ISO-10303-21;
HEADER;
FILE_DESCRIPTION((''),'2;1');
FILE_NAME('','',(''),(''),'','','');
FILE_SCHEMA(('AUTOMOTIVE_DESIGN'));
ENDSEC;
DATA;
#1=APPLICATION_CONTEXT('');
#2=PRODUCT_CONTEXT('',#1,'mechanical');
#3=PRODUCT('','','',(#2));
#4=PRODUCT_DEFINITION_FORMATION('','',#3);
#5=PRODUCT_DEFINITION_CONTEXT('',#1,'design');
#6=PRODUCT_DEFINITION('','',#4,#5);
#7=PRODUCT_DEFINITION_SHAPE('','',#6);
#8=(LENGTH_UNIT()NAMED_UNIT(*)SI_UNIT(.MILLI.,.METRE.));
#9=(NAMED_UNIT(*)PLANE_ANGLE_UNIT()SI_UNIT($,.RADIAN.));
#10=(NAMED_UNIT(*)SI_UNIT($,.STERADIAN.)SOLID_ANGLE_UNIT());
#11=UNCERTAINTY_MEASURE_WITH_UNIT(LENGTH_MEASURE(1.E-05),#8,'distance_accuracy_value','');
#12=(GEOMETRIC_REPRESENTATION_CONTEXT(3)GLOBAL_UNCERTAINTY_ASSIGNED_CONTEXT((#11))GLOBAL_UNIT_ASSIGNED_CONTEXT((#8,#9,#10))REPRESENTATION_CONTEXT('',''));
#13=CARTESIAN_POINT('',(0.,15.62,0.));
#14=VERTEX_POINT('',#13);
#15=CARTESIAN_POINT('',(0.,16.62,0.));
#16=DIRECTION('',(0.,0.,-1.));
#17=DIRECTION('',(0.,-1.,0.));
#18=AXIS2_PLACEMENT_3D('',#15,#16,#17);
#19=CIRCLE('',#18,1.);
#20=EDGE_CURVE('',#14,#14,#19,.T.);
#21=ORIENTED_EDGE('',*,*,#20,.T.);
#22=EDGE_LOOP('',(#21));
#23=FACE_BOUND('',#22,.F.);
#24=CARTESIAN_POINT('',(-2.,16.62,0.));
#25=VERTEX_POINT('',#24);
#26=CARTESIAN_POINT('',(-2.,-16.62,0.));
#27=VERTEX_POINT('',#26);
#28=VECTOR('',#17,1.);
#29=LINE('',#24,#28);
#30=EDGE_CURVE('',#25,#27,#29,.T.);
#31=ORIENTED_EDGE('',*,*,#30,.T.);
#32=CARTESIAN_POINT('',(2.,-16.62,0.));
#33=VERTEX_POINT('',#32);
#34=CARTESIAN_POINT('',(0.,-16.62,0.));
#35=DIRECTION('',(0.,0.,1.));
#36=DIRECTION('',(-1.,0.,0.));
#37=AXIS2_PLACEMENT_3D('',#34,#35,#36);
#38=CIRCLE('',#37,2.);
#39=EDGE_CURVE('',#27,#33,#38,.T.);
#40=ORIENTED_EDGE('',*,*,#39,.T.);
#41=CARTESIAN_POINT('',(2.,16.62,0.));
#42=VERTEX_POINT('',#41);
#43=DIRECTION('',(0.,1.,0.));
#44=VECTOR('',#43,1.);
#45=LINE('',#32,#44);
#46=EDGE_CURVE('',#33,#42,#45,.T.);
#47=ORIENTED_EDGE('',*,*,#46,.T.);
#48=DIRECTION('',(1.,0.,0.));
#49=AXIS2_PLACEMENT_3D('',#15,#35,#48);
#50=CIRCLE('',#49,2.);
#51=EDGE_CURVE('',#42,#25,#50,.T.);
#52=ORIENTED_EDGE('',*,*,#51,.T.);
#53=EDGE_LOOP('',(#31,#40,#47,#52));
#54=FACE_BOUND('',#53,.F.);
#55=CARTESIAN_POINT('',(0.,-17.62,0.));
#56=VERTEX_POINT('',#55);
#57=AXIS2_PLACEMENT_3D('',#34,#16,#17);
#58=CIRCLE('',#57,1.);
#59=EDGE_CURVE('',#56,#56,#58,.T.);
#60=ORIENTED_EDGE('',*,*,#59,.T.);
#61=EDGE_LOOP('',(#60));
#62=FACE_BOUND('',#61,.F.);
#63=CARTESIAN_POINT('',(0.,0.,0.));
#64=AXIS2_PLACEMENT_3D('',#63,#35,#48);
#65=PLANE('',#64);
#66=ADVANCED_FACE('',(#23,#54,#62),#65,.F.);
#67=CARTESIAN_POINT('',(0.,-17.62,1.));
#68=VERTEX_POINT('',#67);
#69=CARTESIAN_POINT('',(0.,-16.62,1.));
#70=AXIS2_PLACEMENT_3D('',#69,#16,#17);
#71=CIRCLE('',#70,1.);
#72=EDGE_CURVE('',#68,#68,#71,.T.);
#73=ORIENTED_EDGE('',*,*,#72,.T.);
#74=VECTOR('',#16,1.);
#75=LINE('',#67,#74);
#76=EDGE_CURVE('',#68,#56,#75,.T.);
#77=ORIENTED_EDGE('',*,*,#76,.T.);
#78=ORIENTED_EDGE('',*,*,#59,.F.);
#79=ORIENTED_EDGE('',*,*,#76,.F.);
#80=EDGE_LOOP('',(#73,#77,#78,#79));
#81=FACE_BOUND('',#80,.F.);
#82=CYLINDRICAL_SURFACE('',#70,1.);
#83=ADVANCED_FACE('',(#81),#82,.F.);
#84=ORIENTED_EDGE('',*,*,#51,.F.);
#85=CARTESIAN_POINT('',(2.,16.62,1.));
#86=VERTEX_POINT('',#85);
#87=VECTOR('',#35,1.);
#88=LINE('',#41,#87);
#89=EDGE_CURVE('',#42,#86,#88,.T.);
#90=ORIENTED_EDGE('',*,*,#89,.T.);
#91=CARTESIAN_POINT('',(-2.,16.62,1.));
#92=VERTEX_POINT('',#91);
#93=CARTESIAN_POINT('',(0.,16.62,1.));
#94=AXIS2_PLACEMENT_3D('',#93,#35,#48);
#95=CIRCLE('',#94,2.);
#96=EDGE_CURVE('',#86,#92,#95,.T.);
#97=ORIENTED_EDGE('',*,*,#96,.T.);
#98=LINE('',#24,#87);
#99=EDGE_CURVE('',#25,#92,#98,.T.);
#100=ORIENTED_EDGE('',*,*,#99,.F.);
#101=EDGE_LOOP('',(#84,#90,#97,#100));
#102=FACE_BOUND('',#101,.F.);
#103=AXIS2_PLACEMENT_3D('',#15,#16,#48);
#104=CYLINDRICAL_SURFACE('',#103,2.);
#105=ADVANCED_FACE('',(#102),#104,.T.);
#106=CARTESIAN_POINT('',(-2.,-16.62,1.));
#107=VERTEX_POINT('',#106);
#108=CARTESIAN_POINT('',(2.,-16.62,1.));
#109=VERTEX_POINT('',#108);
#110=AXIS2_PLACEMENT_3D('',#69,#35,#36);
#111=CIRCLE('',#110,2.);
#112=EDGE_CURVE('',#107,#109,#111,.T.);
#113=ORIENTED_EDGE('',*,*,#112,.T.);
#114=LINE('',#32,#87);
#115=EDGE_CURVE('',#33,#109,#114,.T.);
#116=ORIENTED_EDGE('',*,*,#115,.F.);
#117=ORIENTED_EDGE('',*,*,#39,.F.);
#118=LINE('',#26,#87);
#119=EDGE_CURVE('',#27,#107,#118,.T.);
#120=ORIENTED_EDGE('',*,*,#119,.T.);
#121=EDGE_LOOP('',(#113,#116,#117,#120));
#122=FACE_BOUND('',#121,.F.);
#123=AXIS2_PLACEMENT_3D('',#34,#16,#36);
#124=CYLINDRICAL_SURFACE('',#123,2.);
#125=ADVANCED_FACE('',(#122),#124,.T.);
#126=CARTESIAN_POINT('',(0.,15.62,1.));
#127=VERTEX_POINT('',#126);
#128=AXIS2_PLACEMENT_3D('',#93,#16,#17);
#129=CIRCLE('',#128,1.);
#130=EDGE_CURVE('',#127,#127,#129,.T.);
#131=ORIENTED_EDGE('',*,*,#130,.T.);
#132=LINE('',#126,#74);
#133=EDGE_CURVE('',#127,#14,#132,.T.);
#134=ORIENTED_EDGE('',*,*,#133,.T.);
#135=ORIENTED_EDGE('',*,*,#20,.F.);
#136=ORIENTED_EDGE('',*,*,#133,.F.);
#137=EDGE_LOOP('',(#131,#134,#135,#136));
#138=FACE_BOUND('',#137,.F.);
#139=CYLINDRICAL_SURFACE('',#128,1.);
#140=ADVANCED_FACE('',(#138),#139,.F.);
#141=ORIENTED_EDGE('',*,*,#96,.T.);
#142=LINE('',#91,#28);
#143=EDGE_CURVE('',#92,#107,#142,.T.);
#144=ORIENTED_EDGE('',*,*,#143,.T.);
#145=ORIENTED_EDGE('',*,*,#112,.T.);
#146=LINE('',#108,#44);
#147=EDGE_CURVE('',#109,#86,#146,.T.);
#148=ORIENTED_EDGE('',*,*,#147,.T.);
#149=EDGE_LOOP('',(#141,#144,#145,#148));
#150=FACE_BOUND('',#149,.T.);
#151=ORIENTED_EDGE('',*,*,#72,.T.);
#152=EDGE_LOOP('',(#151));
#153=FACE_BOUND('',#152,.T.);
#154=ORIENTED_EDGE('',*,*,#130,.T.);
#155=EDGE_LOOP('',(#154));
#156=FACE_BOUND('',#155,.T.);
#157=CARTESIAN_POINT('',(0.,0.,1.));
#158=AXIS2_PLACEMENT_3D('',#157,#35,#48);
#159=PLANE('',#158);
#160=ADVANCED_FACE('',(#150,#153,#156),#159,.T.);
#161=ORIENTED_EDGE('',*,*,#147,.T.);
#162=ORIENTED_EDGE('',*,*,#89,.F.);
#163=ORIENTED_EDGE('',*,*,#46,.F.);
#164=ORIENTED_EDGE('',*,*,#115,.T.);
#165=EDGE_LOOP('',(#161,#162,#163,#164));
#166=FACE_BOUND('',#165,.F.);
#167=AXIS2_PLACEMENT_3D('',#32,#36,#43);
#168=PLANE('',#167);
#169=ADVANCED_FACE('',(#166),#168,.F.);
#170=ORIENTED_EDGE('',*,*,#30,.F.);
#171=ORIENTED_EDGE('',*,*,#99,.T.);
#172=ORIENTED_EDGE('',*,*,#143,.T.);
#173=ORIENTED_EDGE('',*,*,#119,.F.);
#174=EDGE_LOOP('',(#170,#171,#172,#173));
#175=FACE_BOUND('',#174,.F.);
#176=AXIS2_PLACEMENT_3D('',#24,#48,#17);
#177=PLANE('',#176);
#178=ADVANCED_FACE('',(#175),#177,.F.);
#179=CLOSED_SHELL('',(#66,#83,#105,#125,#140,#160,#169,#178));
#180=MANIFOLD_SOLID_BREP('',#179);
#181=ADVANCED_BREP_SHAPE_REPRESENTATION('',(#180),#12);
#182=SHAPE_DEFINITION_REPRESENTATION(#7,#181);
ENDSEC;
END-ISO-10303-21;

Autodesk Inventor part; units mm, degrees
ref_plane "YZ Plane" through (0, 0, 0) normal (1, 0, 0) x (0, 1, 0)
ref_plane "XZ Plane" through (0, 0, 0) normal (0, 1, 0) x (-1, 0, 0)
ref_plane "XY Plane" through (0, 0, 0) normal (0, 0, 1) x (1, 0, 0)
sketch "草圖1" plane through (0, 0, 0) normal (0, 0, 1) x (1, 0, 0)
  line L0 (0, -16.62) -> (0, 16.62) construction
  line L1 (2, -16.62) -> (2, 16.62)
  line L2 (-2, 16.62) -> (-2, -16.62)
  arc A0 (-2, -16.62) -> (2, -16.62) centre (0, -16.62) ccw
  arc A1 (2, 16.62) -> (-2, 16.62) centre (0, 16.62) ccw
  point P0 (0, 0)
  dimension "d0" = 33.24
  dimension "d1" = 4
extrude "擠出1" add sketch "草圖1" along normal blind 1
sketch "草圖2" plane through (0, 0, 1) normal (0, 0, 1) x (1, 0, 0)
  arc A0 (2, 16.62) -> (-2, 16.62) centre (0, 16.62) ccw projected
  circle A1 centre (0, 16.62) radius 0.75
  arc A2 (-2, -16.62) -> (2, -16.62) centre (0, -16.62) ccw projected
  circle A3 centre (0, -16.62) radius 0.75
  point P0 (0, 0)
  dimension "d4" = 1.5
  dimension "d5" = 1.5
extrude "擠出2" add sketch "草圖2" along normal blind 1
hole "孔1" at (0, -16.62, 1) at (0, 16.62, 1) direction (0, 0, -1) diameter 2 end through all
hole "孔2" at (0, -16.62, 1) at (0, 16.62, 1) direction (0, 0, 1) diameter 2 end through all
properties part number "連桿4"
